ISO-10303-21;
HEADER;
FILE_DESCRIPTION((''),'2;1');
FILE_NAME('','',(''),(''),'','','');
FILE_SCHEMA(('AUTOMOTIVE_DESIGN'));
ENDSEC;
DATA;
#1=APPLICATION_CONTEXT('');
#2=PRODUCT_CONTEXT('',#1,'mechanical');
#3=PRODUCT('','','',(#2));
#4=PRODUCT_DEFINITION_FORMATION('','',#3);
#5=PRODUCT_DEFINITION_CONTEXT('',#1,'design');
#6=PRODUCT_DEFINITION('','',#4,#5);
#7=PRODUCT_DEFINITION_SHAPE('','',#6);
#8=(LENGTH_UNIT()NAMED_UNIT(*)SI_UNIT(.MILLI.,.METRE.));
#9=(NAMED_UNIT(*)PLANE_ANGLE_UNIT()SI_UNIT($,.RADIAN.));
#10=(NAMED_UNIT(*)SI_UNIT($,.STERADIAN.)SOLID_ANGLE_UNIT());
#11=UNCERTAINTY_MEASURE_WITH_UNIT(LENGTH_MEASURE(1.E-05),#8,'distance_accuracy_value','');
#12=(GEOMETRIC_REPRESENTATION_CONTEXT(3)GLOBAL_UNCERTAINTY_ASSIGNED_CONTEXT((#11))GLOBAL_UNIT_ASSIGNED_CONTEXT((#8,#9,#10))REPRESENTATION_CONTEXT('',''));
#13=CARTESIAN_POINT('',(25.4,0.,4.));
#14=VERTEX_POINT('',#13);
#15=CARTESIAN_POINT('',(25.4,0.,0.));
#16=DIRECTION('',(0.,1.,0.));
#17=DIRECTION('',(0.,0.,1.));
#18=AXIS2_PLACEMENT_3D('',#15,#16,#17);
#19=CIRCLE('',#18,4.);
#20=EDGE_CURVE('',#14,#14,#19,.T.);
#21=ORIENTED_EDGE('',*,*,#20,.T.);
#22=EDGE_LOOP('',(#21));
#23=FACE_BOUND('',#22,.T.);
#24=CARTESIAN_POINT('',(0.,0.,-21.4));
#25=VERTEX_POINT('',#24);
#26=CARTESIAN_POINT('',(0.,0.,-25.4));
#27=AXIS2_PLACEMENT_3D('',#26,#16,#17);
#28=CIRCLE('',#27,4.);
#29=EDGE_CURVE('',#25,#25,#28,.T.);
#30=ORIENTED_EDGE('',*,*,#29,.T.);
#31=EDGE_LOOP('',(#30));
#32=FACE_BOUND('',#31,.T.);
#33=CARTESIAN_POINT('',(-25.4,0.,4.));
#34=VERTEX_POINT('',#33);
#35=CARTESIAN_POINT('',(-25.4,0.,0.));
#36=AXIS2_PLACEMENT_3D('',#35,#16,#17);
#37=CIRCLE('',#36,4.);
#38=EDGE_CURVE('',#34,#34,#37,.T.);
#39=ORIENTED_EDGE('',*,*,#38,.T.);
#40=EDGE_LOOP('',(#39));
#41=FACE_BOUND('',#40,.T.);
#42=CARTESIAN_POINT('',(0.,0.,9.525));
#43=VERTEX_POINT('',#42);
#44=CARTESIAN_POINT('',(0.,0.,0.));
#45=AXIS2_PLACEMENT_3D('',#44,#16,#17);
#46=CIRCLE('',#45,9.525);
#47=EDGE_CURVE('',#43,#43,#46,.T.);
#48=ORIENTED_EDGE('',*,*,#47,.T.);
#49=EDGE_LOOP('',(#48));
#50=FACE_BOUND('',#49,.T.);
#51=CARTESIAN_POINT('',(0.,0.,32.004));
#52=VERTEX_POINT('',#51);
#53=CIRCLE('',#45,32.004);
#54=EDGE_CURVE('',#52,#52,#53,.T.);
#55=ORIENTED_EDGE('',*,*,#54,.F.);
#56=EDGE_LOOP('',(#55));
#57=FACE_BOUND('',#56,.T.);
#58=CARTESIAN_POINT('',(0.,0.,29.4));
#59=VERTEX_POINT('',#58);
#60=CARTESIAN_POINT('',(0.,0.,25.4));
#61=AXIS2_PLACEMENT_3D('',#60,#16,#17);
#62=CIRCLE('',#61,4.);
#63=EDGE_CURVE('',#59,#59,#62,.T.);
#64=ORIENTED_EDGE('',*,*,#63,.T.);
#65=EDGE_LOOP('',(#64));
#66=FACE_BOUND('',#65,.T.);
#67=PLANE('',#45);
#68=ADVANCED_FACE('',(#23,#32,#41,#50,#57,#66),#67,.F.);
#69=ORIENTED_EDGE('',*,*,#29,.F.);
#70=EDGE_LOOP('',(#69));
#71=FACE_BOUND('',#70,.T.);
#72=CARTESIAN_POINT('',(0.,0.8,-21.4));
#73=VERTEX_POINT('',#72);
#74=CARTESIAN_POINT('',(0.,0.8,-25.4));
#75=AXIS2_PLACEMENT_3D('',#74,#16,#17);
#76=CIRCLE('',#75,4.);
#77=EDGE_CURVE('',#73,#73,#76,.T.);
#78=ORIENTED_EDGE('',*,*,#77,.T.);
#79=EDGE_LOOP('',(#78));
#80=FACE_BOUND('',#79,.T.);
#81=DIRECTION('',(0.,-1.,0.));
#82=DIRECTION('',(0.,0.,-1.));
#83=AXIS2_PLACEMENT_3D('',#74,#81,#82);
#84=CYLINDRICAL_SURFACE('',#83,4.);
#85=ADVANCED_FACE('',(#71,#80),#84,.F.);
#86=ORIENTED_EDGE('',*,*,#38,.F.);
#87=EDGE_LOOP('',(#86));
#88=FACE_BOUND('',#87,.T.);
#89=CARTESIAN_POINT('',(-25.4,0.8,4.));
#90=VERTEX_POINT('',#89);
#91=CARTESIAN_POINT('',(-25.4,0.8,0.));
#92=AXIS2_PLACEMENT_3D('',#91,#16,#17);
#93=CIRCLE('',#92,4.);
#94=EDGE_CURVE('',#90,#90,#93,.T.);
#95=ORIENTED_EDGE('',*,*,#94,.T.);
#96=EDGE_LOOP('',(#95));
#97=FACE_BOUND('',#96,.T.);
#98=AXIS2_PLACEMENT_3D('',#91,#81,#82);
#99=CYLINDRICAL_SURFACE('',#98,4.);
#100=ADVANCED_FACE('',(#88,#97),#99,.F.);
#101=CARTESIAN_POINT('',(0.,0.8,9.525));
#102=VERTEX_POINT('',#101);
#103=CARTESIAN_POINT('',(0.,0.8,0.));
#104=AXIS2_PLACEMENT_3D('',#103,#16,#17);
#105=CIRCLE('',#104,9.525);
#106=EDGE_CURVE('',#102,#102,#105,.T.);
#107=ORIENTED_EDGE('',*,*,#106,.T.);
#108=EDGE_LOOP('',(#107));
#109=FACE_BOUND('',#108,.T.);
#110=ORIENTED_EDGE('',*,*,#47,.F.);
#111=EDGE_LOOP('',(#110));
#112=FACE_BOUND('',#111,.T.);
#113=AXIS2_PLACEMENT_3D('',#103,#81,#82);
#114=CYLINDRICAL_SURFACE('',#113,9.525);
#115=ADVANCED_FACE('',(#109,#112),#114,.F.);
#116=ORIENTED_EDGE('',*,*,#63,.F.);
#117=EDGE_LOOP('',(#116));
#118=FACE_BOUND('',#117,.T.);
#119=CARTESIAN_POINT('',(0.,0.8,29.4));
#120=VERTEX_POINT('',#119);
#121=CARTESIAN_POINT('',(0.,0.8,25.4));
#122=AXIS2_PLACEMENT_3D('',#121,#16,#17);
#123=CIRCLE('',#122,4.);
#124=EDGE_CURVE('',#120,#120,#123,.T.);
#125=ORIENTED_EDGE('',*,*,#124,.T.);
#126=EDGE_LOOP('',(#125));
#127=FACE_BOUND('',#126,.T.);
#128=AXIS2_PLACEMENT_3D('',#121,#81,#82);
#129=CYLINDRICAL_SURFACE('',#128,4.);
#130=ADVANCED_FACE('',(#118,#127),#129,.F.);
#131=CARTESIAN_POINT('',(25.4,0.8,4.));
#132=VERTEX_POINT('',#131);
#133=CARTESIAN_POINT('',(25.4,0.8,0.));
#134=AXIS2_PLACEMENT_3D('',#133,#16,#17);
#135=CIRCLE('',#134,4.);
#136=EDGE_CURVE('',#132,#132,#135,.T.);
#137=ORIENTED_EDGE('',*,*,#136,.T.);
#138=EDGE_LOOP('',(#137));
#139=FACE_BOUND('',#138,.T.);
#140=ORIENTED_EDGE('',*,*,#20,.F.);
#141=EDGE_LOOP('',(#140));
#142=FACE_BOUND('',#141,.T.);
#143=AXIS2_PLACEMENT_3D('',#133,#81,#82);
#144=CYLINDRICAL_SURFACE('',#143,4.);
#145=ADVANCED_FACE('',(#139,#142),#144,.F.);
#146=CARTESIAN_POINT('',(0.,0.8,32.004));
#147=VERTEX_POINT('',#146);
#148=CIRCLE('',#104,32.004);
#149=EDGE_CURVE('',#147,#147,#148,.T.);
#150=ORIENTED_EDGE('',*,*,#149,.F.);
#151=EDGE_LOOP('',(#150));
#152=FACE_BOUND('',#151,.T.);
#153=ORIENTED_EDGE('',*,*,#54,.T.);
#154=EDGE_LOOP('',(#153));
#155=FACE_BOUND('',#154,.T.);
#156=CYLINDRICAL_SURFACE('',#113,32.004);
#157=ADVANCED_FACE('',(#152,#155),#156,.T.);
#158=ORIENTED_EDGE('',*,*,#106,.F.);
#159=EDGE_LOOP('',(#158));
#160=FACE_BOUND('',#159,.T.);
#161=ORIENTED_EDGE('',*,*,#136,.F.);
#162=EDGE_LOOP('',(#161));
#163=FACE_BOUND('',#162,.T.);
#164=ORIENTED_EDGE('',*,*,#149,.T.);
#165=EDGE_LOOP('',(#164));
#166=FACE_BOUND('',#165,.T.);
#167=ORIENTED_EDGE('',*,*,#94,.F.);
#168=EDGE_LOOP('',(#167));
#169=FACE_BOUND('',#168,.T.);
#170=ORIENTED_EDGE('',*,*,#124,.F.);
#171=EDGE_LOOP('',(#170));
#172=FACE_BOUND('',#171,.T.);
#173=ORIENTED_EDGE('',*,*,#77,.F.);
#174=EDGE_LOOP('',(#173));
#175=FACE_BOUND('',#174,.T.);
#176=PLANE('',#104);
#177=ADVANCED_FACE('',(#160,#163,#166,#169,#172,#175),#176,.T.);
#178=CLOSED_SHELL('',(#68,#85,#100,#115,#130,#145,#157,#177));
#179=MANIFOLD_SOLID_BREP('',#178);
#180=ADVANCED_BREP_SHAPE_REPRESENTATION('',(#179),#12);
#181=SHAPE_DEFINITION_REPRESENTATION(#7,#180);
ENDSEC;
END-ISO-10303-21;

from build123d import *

# Parameters (mm, degrees)
SKETCH1_R           = 32.004
SKETCH1_R_2         = 9.525
SKETCH1_R_3         = 4
BOSS_EXTRUDE1_DEPTH = 0.8


with BuildPart() as part:
    # Sketch1 → Boss-Extrude1 (new body)
    with BuildSketch(Plane(origin=(0, 0, 0), x_dir=(1, 0, 0), z_dir=(0, 1, 0))):
        with Locations(Location((0, 0, 0), (0, 0, 270))):
            Circle(SKETCH1_R)
        with Locations(Location((0, 0, 0), (0, 0, 270))):
            Circle(SKETCH1_R_2, mode=Mode.SUBTRACT)
        with Locations(Location((0, 25.4, 0), (0, 0, 270))):
            Circle(SKETCH1_R_3, mode=Mode.SUBTRACT)
        with Locations(Location((25.4, 0, 0), (0, 0, 270))):
            Circle(SKETCH1_R_3, mode=Mode.SUBTRACT)
        with Locations(Location((0, -25.4, 0), (0, 0, 270))):
            Circle(SKETCH1_R_3, mode=Mode.SUBTRACT)
        with Locations(Location((-25.4, 0, 0), (0, 0, 270))):
            Circle(SKETCH1_R_3, mode=Mode.SUBTRACT)
    extrude(amount=BOSS_EXTRUDE1_DEPTH)


solid = part.part
